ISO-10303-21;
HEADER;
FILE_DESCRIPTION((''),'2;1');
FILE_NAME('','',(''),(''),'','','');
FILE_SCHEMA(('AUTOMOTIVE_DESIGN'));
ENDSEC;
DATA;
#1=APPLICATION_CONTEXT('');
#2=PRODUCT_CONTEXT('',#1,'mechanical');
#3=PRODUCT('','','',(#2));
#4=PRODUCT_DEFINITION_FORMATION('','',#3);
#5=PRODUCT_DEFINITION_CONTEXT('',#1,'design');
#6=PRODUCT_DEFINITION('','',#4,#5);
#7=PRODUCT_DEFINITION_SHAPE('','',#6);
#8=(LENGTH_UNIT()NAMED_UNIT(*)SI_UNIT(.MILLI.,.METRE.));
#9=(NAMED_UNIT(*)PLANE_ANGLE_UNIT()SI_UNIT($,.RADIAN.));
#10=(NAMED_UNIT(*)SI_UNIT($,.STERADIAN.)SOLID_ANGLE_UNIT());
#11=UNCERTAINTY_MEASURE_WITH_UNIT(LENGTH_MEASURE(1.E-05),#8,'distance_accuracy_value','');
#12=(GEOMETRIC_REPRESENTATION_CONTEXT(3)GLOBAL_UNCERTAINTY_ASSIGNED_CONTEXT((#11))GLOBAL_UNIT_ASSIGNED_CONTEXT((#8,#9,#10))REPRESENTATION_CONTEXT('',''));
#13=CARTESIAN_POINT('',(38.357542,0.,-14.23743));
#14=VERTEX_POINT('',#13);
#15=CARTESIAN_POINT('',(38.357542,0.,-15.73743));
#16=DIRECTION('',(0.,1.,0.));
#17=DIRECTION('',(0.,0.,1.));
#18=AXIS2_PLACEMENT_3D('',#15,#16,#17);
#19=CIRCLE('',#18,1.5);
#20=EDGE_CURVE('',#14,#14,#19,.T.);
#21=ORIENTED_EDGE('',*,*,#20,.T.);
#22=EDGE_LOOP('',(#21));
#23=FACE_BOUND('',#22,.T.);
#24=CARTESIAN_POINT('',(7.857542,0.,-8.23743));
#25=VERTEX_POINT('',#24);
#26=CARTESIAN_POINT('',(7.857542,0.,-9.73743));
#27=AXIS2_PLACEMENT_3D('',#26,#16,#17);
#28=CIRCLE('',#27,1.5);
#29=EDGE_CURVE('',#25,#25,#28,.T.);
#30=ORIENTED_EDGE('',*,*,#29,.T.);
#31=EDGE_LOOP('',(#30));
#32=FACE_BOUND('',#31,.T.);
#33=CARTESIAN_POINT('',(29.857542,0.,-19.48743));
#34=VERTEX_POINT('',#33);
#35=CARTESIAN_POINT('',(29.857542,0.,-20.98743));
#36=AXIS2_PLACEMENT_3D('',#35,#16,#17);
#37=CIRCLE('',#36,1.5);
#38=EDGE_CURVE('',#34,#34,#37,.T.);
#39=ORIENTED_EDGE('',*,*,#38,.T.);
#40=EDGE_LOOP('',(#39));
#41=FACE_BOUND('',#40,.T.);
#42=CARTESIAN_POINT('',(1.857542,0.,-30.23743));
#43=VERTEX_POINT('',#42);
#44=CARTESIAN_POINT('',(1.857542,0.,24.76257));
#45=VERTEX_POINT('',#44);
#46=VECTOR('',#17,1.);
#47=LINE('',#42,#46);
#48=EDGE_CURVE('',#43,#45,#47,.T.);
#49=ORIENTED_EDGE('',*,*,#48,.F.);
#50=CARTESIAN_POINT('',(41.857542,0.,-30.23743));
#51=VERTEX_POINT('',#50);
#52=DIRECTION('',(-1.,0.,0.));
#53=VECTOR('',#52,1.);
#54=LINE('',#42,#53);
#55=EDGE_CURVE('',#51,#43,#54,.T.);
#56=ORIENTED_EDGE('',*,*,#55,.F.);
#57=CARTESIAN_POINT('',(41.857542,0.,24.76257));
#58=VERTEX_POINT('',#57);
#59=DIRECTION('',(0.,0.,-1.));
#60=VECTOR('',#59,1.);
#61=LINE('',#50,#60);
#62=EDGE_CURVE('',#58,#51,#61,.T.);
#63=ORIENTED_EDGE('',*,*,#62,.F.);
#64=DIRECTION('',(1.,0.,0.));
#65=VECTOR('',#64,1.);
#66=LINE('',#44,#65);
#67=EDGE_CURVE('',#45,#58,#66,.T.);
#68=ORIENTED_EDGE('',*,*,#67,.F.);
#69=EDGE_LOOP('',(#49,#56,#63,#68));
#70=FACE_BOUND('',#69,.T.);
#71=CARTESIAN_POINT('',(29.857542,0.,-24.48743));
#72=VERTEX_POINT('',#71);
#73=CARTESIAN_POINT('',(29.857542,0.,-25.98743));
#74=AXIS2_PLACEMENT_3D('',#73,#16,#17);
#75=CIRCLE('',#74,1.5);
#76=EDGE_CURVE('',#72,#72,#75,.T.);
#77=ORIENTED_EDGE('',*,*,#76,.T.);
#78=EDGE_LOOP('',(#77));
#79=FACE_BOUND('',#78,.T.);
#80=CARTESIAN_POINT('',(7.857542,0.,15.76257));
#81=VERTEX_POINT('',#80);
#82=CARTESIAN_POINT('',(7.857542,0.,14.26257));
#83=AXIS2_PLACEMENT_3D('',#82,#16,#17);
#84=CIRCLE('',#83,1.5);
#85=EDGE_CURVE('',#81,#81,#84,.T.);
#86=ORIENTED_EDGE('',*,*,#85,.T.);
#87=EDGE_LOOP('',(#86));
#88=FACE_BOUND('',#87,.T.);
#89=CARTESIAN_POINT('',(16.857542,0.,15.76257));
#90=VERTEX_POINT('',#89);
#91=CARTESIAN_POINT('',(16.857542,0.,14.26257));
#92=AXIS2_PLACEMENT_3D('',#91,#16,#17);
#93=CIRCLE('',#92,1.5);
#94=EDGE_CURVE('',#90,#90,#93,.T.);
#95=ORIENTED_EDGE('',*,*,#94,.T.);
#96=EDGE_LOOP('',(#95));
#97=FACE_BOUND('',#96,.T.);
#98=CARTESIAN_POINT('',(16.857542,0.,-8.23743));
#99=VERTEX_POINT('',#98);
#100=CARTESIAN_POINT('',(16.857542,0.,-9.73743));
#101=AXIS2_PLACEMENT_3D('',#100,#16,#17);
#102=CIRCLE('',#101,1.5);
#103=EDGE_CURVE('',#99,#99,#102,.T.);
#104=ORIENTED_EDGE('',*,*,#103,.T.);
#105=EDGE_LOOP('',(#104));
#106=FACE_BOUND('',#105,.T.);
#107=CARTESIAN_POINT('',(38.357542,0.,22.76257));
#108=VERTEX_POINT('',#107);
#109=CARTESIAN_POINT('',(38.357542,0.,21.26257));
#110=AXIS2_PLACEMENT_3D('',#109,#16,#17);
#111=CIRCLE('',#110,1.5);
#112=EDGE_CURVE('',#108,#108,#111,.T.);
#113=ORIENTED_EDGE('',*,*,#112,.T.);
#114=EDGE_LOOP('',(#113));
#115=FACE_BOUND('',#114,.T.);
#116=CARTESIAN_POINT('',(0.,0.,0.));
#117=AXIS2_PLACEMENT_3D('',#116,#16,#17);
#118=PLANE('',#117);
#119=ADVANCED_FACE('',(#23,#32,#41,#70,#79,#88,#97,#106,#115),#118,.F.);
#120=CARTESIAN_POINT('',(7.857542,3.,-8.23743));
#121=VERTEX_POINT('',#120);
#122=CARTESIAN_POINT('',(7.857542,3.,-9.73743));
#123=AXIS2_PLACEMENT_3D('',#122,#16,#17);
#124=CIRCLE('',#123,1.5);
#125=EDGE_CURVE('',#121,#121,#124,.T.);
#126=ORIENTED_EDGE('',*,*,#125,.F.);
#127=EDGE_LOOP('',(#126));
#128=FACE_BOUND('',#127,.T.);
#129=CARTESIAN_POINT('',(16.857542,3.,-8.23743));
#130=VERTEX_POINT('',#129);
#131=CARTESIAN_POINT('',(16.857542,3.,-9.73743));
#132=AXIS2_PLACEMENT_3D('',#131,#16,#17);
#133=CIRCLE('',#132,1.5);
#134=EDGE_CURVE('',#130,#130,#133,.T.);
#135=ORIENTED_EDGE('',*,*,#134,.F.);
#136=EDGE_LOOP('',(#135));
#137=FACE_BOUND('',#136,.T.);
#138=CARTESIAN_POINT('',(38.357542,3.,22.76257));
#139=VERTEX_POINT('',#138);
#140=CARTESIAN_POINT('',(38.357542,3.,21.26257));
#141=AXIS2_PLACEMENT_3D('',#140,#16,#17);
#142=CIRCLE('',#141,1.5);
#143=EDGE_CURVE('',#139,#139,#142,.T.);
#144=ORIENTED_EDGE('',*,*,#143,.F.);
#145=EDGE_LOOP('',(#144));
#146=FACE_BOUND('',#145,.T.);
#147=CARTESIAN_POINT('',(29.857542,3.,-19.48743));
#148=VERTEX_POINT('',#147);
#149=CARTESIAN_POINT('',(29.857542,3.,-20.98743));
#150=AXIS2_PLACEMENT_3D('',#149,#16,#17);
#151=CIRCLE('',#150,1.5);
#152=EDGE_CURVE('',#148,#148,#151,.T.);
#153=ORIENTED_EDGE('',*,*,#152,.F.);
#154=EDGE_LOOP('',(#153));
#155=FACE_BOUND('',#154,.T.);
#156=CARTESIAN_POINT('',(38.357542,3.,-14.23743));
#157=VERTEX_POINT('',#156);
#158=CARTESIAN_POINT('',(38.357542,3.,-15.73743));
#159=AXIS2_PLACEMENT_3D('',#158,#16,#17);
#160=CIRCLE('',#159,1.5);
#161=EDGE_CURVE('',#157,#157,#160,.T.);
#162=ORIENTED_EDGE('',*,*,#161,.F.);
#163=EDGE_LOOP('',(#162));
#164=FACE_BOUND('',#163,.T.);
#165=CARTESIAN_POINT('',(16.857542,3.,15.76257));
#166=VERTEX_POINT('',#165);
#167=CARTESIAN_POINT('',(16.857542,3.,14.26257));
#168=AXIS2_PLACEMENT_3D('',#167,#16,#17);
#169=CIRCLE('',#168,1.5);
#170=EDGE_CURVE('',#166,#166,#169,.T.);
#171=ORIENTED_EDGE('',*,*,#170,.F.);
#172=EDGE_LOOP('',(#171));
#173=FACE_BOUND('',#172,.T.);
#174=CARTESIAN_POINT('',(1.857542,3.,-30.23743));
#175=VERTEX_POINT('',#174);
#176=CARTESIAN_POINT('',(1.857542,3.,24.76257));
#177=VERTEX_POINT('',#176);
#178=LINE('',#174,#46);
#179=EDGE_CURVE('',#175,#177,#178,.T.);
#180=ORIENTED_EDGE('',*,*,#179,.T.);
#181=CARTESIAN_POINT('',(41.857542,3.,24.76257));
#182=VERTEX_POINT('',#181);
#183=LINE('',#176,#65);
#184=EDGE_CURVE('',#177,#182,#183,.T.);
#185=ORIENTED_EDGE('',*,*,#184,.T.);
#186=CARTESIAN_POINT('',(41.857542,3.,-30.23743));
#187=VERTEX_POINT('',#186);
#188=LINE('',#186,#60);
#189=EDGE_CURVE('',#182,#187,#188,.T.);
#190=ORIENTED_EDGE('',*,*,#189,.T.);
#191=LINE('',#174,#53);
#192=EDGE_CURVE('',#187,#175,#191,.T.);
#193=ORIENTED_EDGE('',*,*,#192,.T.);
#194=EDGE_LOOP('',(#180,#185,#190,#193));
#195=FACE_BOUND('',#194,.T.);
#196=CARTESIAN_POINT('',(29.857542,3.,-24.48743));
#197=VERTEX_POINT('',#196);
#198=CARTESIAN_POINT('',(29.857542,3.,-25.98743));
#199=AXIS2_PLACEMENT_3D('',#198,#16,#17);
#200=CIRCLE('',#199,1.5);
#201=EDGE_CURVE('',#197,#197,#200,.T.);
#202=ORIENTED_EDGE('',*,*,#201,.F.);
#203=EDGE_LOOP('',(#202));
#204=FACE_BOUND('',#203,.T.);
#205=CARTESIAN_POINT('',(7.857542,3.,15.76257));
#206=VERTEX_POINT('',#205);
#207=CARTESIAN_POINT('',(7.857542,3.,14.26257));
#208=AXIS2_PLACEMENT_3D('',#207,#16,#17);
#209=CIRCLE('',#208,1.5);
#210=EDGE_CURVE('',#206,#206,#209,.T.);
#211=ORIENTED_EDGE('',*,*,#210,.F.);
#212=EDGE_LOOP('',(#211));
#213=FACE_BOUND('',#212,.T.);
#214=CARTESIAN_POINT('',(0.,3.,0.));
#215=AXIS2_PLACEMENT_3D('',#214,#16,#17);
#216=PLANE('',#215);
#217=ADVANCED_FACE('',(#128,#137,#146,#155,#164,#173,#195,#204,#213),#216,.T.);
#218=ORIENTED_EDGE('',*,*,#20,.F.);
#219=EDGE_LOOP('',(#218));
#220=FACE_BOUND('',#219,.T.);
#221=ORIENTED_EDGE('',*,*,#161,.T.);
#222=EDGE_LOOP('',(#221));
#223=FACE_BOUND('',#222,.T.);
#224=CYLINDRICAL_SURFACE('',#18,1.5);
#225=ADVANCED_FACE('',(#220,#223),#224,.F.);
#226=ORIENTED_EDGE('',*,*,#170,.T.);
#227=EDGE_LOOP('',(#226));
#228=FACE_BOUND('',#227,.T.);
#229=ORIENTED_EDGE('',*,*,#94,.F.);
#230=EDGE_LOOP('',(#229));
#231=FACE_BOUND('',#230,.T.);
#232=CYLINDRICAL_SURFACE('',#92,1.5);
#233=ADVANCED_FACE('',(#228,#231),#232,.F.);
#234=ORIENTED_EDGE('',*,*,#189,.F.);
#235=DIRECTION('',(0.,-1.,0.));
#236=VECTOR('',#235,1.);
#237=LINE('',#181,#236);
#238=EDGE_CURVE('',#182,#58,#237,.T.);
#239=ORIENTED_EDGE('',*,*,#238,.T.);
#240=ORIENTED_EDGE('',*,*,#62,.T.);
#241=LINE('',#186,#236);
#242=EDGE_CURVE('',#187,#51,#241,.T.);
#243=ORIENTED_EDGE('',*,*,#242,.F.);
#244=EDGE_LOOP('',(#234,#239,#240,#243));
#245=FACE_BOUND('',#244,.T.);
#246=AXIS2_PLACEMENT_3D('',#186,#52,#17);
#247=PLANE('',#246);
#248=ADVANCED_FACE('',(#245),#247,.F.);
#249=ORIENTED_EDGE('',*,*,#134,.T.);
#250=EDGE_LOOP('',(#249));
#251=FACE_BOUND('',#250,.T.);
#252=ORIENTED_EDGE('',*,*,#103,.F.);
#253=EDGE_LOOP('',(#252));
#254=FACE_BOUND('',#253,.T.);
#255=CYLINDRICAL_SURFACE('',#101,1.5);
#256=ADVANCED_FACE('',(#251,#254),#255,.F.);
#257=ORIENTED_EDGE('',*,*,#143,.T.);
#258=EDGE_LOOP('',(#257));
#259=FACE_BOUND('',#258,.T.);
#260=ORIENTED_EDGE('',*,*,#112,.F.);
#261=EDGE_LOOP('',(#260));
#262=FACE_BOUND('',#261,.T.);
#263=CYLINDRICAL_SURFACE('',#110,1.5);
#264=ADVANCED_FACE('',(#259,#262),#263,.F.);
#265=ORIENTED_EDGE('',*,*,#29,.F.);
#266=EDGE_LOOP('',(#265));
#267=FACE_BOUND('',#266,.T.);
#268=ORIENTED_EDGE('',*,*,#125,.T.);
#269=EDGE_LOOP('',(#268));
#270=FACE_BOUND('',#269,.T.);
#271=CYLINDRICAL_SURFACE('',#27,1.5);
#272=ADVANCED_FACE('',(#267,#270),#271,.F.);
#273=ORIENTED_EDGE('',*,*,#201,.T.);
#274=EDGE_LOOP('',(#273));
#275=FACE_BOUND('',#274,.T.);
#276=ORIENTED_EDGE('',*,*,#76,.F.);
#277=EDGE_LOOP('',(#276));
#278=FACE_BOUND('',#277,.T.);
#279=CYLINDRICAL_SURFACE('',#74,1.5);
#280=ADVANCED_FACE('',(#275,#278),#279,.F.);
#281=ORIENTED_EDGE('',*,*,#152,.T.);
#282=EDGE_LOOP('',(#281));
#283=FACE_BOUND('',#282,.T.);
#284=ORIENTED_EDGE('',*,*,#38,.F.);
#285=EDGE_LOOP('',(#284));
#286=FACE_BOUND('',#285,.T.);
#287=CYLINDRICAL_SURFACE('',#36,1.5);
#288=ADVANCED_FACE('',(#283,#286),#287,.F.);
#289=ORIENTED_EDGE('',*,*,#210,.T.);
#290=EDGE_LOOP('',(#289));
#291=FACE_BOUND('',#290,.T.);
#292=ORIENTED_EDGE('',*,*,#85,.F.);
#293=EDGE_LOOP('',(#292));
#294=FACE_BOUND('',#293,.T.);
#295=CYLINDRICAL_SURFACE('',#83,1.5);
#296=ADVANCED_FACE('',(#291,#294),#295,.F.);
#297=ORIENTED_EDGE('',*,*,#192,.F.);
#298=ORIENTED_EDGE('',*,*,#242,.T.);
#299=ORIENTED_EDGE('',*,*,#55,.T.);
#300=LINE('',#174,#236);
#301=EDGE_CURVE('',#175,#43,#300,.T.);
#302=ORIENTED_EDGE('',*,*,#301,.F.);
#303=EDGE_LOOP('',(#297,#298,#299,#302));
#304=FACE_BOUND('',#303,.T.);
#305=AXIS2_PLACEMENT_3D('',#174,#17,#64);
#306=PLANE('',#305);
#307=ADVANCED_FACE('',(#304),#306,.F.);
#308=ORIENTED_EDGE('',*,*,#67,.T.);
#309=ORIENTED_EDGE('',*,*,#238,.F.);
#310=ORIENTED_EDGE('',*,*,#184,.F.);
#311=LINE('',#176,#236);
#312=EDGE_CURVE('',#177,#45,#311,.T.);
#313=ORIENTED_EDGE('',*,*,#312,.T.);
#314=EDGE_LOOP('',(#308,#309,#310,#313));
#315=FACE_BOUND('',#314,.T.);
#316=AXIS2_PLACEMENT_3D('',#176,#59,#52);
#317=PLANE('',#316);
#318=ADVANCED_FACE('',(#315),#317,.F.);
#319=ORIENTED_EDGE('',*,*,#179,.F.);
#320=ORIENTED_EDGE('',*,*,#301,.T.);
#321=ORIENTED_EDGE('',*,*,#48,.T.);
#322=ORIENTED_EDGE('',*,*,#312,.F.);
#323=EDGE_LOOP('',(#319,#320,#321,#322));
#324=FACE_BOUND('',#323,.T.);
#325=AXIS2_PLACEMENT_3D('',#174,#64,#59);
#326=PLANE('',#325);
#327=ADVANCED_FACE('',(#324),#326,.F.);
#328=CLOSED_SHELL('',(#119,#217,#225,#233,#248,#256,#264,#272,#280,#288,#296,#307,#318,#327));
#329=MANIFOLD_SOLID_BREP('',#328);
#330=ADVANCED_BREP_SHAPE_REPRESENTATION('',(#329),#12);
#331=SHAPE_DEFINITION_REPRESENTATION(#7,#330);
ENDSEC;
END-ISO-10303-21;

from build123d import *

# Parameters (mm, degrees)
SKETCH1_W           = 40
SKETCH1_H           = 55
BOSS_EXTRUDE1_DEPTH = 3
SKETCH2_R           = 1.5
CUT_EXTRUDE1_DEPTH  = 3


with BuildPart() as part:
    # Sketch1 → Boss-Extrude1 (new body)
    with BuildSketch(Plane(origin=(0, 0, 0), x_dir=(1, 0, 0), z_dir=(0, 1, 0))):
        with Locations((21.857541899, 2.737430168)):
            Rectangle(SKETCH1_W, SKETCH1_H)
    extrude(amount=BOSS_EXTRUDE1_DEPTH)

    # Sketch2 → Cut-Extrude1 (cut)
    with BuildSketch(Plane(origin=(0, 3, 0), x_dir=(1, 0, 0), z_dir=(0, 1, 0))):
        with Locations(Location((38.357541899, -21.262569832, 0), (0, 0, 270))):
            Circle(SKETCH2_R)
        with Locations(Location((38.357541899, 15.737430168, 0), (0, 0, 270))):
            Circle(SKETCH2_R)
        with Locations(Location((16.857541899, -14.262569832, 0), (0, 0, 270))):
            Circle(SKETCH2_R)
        with Locations(Location((7.857541899, -14.262569832, 0), (0, 0, 270))):
            Circle(SKETCH2_R)
        with Locations(Location((7.857541899, 9.737430168, 0), (0, 0, 270))):
            Circle(SKETCH2_R)
        with Locations(Location((16.857541899, 9.737430168, 0), (0, 0, 270))):
            Circle(SKETCH2_R)
        with Locations(Location((29.857541899, 20.987430168, 0), (0, 0, 270))):
            Circle(SKETCH2_R)
        with Locations(Location((29.857541899, 25.987430168, 0), (0, 0, 270))):
            Circle(SKETCH2_R)
    extrude(amount=-CUT_EXTRUDE1_DEPTH, mode=Mode.SUBTRACT)


solid = part.part
